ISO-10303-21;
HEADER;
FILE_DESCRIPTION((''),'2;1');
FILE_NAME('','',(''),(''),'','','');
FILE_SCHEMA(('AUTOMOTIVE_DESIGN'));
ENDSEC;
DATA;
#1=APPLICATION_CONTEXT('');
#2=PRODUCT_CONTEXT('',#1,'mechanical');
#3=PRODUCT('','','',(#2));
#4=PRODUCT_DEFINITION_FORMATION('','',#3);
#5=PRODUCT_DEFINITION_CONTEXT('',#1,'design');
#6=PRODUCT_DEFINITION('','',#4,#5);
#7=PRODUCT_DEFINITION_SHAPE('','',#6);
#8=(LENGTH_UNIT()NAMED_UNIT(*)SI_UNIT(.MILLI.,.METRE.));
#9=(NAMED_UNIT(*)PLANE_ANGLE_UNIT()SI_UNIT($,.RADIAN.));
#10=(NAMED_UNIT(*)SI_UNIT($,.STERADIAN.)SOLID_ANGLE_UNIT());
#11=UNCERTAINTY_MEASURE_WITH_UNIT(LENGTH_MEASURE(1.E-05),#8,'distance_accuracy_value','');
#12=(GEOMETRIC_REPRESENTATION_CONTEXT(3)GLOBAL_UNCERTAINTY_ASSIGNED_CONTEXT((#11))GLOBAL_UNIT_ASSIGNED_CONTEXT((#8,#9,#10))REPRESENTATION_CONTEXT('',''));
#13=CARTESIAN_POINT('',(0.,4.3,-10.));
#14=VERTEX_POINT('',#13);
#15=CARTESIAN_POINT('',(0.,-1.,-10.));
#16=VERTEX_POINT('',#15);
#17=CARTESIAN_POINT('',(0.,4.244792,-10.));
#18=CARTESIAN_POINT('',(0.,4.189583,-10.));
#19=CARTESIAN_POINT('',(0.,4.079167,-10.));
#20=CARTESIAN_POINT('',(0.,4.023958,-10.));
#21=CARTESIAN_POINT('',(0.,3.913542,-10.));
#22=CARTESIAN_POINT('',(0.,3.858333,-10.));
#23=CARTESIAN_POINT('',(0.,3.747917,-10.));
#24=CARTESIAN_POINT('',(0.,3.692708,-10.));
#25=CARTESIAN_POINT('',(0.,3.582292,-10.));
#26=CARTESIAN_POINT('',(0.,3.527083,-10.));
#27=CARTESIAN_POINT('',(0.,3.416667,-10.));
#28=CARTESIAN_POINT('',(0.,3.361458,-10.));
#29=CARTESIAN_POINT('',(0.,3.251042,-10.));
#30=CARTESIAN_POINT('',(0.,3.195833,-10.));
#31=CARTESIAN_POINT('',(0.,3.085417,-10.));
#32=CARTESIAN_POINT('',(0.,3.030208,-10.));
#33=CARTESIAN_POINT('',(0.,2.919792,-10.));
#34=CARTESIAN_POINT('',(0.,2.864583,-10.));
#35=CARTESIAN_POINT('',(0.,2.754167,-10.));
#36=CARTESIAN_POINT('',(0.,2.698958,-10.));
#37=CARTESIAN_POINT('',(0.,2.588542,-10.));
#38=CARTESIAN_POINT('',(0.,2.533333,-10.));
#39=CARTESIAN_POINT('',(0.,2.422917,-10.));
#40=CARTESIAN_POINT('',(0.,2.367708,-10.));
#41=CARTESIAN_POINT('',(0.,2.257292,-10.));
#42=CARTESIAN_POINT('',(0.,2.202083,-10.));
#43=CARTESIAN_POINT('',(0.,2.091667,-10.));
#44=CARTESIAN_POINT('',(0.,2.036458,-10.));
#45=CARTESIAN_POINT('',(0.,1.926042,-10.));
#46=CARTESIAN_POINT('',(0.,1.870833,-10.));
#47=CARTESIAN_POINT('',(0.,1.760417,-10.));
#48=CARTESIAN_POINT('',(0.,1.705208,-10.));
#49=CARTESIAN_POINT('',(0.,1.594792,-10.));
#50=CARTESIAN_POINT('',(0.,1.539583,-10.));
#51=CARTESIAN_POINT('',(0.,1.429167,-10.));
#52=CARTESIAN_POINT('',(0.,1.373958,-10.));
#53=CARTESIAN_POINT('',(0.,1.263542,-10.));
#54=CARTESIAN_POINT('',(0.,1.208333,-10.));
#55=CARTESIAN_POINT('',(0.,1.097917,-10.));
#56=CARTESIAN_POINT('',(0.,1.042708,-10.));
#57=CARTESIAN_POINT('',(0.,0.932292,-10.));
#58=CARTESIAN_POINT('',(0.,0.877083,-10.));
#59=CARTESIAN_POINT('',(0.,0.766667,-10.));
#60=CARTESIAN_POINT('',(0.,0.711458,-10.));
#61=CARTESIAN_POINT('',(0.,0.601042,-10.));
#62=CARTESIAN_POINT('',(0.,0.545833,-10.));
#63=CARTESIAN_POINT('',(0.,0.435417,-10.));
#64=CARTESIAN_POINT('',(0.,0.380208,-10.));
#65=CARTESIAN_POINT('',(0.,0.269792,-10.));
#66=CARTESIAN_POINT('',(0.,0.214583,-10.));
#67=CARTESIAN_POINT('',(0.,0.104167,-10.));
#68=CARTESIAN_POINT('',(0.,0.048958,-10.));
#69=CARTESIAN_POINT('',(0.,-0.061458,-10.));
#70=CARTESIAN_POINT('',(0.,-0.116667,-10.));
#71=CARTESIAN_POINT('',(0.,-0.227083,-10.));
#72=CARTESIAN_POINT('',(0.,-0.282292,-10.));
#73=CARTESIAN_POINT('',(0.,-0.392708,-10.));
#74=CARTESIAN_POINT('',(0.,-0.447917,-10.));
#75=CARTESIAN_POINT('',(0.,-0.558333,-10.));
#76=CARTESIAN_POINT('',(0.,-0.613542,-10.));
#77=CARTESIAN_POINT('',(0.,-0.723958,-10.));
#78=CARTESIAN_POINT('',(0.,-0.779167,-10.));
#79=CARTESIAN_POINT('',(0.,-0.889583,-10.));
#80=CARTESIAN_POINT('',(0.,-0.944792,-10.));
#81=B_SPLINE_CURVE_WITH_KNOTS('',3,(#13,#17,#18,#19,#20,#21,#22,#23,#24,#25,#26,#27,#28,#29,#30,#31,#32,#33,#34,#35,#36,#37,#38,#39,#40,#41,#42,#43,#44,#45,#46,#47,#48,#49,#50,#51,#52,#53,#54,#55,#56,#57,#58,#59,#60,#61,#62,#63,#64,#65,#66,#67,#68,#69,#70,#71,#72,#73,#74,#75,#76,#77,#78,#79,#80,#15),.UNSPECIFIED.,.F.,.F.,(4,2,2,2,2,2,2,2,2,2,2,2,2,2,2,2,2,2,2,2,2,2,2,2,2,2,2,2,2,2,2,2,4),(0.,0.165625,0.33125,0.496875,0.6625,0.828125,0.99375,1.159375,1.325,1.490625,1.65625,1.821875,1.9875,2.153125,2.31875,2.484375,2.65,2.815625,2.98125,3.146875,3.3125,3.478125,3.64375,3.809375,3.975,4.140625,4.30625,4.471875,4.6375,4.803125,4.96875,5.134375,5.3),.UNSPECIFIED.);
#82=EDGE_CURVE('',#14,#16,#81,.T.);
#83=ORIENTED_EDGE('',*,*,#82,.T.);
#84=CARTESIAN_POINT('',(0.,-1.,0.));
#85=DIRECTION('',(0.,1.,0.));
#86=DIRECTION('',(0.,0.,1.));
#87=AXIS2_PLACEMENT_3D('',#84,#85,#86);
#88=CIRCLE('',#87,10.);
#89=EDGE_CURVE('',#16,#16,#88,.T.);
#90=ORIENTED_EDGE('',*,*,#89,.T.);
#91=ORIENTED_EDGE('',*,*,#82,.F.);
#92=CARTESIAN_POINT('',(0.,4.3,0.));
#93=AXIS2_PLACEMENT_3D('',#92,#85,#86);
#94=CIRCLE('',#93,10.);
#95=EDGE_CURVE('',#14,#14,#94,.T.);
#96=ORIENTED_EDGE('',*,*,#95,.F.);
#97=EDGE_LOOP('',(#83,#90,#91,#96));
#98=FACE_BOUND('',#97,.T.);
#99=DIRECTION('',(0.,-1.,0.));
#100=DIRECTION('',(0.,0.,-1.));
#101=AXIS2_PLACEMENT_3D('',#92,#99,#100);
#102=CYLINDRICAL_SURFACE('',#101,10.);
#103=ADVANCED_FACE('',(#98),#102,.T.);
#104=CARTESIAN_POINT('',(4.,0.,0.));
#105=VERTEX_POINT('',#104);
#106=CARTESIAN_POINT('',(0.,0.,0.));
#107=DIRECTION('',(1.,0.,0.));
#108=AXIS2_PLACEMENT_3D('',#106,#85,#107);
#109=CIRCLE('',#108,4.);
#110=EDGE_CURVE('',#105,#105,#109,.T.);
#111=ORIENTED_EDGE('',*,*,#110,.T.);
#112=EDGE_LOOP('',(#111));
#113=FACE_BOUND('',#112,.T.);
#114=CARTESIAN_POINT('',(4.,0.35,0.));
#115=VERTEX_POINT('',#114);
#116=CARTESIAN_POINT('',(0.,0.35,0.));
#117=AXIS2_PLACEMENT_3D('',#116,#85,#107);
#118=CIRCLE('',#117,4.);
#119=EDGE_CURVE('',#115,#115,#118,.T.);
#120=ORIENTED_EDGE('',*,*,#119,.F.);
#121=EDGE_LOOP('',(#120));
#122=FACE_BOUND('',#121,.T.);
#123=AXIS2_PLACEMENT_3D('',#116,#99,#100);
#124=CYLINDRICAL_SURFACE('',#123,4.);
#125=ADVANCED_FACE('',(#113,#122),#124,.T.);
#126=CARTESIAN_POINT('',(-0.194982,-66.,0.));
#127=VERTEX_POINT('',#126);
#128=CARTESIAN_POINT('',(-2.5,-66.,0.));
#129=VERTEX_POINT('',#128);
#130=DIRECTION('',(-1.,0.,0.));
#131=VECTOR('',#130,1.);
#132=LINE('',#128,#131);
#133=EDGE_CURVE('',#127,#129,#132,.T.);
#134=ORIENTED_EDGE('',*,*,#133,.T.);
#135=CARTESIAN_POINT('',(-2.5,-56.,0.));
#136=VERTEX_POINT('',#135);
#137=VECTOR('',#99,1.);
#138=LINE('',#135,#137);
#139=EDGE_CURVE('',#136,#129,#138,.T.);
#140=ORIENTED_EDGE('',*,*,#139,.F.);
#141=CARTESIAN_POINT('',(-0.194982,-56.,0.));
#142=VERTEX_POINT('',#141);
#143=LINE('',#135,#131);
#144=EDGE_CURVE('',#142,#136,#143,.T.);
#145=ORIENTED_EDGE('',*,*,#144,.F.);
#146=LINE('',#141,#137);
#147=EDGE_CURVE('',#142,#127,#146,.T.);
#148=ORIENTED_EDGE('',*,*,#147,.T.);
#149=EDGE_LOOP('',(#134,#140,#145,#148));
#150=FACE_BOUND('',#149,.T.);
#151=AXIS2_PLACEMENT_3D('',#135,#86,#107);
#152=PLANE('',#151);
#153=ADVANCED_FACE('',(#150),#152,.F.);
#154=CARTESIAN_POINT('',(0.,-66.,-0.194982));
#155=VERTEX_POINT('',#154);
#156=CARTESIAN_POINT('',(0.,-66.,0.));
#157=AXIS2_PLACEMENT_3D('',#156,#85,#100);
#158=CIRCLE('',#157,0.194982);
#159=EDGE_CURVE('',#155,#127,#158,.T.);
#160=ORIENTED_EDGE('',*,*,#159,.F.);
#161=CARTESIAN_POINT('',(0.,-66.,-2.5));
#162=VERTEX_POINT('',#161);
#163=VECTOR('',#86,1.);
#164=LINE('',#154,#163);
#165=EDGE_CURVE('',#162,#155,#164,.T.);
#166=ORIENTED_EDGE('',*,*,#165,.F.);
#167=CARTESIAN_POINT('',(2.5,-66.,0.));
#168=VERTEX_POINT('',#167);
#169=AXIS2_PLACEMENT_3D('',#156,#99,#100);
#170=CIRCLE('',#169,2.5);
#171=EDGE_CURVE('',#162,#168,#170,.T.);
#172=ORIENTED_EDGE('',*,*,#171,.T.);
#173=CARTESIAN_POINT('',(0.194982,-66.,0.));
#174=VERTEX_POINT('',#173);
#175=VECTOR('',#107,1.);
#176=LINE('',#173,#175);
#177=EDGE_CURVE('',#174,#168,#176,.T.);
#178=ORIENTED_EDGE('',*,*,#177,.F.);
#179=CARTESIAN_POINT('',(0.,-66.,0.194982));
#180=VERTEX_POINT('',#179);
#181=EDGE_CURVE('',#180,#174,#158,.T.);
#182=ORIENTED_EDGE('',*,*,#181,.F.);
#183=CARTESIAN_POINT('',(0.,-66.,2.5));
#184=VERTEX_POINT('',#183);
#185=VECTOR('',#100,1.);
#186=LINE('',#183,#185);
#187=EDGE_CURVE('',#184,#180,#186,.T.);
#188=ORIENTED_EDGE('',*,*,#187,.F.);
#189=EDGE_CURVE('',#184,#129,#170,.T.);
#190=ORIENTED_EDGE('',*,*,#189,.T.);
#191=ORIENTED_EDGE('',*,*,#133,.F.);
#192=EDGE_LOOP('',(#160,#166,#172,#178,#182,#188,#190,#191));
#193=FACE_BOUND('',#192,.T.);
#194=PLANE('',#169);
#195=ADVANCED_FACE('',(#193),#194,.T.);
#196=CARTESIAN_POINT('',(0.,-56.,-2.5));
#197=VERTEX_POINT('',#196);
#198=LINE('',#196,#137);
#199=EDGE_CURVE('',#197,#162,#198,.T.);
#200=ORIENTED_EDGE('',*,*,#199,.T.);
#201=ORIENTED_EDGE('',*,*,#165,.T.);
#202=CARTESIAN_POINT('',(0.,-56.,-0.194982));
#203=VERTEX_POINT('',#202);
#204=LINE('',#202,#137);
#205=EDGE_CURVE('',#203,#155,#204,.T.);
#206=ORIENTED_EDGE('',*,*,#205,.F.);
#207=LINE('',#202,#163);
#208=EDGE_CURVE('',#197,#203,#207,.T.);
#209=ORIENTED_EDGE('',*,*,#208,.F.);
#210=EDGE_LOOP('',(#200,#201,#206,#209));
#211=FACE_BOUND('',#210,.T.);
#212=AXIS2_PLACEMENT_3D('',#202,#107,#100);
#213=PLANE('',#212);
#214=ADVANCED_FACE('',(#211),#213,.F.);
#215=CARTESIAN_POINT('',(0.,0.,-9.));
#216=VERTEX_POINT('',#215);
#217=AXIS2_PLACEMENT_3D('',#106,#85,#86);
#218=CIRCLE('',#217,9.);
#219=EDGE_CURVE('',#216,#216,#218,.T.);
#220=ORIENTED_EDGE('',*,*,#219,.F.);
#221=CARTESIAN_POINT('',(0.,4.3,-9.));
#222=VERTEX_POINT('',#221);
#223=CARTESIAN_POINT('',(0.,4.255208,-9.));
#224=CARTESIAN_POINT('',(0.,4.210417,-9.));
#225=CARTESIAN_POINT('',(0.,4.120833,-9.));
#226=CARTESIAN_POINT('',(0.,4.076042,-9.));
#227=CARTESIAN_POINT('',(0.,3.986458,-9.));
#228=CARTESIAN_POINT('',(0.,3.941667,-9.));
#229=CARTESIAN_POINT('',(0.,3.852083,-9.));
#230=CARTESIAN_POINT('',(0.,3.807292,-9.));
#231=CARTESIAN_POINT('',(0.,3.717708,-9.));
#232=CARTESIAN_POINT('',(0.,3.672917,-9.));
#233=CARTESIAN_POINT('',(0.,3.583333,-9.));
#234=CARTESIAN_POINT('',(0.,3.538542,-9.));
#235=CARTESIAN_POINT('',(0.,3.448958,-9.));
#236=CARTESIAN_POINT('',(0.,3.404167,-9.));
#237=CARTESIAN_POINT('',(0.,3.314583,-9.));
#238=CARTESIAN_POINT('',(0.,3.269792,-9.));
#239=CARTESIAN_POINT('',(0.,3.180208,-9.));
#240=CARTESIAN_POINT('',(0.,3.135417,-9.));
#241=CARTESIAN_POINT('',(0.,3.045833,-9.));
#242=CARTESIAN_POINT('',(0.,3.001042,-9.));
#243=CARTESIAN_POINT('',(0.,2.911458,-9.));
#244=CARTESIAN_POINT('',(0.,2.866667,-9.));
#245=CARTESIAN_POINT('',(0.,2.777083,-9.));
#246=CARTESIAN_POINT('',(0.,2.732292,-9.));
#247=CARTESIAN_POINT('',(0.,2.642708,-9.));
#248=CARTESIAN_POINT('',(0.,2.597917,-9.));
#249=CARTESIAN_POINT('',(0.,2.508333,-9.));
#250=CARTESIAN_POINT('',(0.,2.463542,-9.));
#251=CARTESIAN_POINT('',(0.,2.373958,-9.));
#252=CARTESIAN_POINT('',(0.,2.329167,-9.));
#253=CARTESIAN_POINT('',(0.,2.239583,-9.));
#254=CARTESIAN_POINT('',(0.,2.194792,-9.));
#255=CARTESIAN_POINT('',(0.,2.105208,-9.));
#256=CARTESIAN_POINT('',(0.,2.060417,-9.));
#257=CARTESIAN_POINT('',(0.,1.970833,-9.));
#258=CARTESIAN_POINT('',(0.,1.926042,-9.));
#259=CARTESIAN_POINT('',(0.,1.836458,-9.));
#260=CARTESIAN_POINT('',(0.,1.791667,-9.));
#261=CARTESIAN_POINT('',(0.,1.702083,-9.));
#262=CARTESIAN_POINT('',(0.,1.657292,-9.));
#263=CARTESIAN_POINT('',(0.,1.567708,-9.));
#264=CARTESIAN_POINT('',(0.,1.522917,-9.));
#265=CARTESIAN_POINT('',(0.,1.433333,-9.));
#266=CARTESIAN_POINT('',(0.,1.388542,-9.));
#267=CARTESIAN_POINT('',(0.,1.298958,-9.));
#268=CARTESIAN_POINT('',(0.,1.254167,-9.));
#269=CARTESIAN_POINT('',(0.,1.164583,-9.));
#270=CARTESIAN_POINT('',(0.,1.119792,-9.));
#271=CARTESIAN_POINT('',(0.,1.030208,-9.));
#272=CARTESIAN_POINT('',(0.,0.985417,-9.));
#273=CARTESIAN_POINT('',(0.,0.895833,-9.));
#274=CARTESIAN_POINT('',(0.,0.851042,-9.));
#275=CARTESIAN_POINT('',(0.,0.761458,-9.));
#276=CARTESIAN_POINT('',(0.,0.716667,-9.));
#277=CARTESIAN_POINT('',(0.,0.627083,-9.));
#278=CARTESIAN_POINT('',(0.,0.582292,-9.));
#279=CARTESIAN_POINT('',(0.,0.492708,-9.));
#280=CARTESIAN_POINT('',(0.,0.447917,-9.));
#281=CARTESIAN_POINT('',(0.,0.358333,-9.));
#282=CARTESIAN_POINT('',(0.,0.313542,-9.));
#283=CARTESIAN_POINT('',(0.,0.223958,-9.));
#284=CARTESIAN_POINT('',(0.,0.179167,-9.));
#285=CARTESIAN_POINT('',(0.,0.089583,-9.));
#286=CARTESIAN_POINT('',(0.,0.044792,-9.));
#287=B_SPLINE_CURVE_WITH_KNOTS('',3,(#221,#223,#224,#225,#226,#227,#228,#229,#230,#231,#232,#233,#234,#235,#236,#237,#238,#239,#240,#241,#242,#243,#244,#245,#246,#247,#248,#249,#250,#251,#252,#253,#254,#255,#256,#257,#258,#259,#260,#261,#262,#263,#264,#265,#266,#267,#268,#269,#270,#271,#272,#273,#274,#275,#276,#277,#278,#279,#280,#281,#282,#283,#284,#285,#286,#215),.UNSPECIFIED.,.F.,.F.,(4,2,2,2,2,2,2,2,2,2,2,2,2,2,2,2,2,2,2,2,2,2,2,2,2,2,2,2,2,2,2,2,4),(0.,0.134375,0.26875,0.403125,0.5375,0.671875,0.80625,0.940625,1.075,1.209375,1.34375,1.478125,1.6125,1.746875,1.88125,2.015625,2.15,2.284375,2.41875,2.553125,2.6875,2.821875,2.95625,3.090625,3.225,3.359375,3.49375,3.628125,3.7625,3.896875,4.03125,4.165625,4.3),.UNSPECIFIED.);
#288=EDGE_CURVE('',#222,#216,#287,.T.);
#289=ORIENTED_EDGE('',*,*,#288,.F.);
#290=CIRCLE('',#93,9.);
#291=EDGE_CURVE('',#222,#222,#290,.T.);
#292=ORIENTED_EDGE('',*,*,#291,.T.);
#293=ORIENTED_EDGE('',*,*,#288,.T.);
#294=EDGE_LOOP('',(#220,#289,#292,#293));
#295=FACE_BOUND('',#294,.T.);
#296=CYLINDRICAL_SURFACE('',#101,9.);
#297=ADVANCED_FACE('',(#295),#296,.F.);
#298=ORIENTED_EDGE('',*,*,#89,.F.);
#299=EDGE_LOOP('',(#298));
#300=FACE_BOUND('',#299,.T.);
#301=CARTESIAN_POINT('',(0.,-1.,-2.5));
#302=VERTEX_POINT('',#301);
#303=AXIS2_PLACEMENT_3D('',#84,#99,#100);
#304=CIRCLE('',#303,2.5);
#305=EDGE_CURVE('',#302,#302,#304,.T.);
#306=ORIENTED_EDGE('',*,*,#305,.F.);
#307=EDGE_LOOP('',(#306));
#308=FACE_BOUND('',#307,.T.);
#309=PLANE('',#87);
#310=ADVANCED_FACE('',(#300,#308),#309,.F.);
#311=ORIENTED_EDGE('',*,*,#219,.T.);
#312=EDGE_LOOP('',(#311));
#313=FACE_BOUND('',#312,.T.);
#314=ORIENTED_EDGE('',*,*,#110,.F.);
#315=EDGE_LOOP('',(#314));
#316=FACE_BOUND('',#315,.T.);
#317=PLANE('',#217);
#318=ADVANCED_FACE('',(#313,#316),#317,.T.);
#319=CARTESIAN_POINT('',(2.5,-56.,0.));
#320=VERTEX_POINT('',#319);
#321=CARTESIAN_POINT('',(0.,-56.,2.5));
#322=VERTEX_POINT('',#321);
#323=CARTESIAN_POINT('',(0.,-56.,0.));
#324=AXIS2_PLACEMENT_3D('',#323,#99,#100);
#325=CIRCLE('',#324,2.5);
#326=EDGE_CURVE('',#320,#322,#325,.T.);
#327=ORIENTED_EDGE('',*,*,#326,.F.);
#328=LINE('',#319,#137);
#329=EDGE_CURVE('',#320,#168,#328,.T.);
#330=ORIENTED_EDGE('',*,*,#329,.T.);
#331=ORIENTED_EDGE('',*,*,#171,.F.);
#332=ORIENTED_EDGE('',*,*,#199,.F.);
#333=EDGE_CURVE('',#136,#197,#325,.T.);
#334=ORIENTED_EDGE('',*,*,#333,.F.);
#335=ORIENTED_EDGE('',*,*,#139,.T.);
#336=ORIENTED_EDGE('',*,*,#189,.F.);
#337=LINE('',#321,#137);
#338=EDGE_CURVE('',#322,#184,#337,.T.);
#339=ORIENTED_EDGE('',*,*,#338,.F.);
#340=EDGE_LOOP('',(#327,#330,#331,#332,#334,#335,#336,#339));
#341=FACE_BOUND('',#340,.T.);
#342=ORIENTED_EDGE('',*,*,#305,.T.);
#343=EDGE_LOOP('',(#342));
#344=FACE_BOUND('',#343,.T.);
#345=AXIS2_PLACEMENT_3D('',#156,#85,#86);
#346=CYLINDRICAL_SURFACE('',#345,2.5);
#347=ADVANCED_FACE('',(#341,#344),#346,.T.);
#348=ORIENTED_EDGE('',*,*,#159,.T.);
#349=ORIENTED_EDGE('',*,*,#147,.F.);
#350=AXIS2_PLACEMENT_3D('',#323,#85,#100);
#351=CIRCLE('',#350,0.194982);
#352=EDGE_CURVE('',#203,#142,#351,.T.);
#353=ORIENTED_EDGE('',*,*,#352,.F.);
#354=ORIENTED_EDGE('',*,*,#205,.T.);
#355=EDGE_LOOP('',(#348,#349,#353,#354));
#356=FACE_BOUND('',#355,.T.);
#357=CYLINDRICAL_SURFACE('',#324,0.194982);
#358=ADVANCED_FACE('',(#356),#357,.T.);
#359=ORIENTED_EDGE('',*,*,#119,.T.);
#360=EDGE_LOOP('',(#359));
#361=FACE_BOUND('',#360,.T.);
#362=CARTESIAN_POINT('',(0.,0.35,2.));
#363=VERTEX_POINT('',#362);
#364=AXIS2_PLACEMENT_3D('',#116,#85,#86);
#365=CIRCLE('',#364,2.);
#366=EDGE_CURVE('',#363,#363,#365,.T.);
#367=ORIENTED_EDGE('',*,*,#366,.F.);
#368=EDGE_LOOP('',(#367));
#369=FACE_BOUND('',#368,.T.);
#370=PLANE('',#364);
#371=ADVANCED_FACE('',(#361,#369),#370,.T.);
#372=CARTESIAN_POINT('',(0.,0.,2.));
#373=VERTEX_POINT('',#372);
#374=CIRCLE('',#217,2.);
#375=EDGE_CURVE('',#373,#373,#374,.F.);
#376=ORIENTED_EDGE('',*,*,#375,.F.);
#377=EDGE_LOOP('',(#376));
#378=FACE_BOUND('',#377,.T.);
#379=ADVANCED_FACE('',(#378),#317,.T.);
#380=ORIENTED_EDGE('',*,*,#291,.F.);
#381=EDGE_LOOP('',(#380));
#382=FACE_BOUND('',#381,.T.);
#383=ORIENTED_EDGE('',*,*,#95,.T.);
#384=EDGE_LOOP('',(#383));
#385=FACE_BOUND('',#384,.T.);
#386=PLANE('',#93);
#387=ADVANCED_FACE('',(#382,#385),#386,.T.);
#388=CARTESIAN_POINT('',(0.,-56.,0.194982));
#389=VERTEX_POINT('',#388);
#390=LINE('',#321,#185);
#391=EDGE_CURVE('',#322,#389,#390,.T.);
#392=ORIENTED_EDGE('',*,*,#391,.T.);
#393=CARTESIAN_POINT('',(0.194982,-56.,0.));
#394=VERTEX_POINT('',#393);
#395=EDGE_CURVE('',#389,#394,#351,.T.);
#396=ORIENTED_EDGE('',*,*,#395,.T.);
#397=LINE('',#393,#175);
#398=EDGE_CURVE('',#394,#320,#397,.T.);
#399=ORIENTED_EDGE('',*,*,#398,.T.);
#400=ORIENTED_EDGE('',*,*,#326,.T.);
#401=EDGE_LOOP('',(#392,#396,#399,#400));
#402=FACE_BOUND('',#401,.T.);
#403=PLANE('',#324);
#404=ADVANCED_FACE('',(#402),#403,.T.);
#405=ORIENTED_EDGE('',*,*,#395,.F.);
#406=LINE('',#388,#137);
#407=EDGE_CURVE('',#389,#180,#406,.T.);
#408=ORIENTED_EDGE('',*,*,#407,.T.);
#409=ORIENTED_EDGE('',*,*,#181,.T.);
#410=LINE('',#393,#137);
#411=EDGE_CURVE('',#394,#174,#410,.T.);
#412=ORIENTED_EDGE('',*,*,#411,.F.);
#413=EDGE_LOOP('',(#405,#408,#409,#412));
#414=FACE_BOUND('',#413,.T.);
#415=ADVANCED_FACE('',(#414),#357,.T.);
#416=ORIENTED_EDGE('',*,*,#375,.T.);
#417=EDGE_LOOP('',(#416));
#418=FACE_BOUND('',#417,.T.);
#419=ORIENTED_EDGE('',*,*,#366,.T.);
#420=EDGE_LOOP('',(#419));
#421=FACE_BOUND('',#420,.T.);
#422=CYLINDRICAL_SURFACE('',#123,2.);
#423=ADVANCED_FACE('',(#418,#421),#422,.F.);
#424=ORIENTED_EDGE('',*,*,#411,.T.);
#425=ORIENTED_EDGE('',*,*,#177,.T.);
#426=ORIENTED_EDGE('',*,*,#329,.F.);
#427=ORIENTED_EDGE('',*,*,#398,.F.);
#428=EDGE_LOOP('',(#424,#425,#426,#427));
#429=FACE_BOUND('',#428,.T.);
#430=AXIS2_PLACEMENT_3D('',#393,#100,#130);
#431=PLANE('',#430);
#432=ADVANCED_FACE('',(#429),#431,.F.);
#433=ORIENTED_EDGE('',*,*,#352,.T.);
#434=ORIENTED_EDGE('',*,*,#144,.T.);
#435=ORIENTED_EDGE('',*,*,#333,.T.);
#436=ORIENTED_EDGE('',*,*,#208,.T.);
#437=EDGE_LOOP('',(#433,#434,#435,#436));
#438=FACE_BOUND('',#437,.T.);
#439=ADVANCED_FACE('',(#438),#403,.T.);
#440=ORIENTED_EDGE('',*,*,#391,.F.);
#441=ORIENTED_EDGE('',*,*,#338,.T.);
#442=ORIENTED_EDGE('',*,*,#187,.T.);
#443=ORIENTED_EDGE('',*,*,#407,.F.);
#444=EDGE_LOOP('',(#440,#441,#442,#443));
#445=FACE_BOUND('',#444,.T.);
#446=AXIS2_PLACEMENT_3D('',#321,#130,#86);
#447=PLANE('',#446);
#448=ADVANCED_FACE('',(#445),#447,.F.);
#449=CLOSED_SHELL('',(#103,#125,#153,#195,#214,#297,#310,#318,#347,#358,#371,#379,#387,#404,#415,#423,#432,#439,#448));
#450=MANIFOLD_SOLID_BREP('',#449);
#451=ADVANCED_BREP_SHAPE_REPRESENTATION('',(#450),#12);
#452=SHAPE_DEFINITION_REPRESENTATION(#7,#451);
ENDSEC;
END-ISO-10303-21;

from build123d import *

# Parameters (mm, degrees)
SKETCH1_R           = 10
SKETCH1_R_2         = 9
BOSS_EXTRUDE1_DEPTH = 4.3
BOSS_EXTRUDE2_START = -1
SKETCH1_2_R         = 10
BOSS_EXTRUDE2_DEPTH = 1
SKETCH2_R           = 4
SKETCH2_R_2         = 2
EXTRUDE_THIN1_DEPTH = 0.35
SKETCH3_R           = 2.5
BOSS_EXTRUDE3_DEPTH = 65
CUT_EXTRUDE1_START  = -10
CUT_EXTRUDE1_DEPTH  = 10


with BuildPart() as part:
    # Sketch1 → Boss-Extrude1 (new body)
    with BuildSketch(Plane(origin=(0, 0, 0), x_dir=(1, 0, 0), z_dir=(0, 1, 0))):
        Circle(SKETCH1_R)
        Circle(SKETCH1_R_2, mode=Mode.SUBTRACT)
    extrude(amount=BOSS_EXTRUDE1_DEPTH)

    # Sketch1<2> → Boss-Extrude2 (add)
    with BuildSketch(Plane(origin=(0, 0, 0), x_dir=(1, 0, 0), z_dir=(0, 1, 0)).offset(BOSS_EXTRUDE2_START)):
        Circle(SKETCH1_2_R)
    extrude(amount=BOSS_EXTRUDE2_DEPTH)

    # Sketch2 → Extrude-Thin1 (add)
    with BuildSketch(Plane(origin=(0, 0, 0), x_dir=(1, 0, 0), z_dir=(0, 1, 0))):
        Circle(SKETCH2_R)
        Circle(SKETCH2_R_2, mode=Mode.SUBTRACT)
    extrude(amount=EXTRUDE_THIN1_DEPTH)

    # Sketch3 → Boss-Extrude3 (add)
    with BuildSketch(Plane.XZ.offset(1)):
        Circle(SKETCH3_R)
    extrude(amount=BOSS_EXTRUDE3_DEPTH)

    # Sketch4 → Cut-Extrude1 (cut)
    with BuildSketch(Plane.XZ.offset(66).offset(CUT_EXTRUDE1_START)):
        with BuildLine():
            Line((-2.5, 0), (-0.194982329, 0))
            ThreePointArc((-0.194982329, 0), (-0.137873327, -0.137873327), (0, -0.194982329))
            Line((0, -0.194982329), (0, -2.5))
            ThreePointArc((0, -2.5), (-1.767766953, -1.767766953), (-2.5, 0))
        make_face()
        with BuildLine():
            Line((0, 2.5), (0, 0.194982329))
            ThreePointArc((0, 0.194982329), (0.137873327, 0.137873327), (0.194982329, 0))
            Line((0.194982329, 0), (2.5, 0))
            ThreePointArc((2.5, 0), (1.767766953, 1.767766953), (0, 2.5))
        make_face()
    extrude(amount=CUT_EXTRUDE1_DEPTH, mode=Mode.SUBTRACT)


solid = part.part
